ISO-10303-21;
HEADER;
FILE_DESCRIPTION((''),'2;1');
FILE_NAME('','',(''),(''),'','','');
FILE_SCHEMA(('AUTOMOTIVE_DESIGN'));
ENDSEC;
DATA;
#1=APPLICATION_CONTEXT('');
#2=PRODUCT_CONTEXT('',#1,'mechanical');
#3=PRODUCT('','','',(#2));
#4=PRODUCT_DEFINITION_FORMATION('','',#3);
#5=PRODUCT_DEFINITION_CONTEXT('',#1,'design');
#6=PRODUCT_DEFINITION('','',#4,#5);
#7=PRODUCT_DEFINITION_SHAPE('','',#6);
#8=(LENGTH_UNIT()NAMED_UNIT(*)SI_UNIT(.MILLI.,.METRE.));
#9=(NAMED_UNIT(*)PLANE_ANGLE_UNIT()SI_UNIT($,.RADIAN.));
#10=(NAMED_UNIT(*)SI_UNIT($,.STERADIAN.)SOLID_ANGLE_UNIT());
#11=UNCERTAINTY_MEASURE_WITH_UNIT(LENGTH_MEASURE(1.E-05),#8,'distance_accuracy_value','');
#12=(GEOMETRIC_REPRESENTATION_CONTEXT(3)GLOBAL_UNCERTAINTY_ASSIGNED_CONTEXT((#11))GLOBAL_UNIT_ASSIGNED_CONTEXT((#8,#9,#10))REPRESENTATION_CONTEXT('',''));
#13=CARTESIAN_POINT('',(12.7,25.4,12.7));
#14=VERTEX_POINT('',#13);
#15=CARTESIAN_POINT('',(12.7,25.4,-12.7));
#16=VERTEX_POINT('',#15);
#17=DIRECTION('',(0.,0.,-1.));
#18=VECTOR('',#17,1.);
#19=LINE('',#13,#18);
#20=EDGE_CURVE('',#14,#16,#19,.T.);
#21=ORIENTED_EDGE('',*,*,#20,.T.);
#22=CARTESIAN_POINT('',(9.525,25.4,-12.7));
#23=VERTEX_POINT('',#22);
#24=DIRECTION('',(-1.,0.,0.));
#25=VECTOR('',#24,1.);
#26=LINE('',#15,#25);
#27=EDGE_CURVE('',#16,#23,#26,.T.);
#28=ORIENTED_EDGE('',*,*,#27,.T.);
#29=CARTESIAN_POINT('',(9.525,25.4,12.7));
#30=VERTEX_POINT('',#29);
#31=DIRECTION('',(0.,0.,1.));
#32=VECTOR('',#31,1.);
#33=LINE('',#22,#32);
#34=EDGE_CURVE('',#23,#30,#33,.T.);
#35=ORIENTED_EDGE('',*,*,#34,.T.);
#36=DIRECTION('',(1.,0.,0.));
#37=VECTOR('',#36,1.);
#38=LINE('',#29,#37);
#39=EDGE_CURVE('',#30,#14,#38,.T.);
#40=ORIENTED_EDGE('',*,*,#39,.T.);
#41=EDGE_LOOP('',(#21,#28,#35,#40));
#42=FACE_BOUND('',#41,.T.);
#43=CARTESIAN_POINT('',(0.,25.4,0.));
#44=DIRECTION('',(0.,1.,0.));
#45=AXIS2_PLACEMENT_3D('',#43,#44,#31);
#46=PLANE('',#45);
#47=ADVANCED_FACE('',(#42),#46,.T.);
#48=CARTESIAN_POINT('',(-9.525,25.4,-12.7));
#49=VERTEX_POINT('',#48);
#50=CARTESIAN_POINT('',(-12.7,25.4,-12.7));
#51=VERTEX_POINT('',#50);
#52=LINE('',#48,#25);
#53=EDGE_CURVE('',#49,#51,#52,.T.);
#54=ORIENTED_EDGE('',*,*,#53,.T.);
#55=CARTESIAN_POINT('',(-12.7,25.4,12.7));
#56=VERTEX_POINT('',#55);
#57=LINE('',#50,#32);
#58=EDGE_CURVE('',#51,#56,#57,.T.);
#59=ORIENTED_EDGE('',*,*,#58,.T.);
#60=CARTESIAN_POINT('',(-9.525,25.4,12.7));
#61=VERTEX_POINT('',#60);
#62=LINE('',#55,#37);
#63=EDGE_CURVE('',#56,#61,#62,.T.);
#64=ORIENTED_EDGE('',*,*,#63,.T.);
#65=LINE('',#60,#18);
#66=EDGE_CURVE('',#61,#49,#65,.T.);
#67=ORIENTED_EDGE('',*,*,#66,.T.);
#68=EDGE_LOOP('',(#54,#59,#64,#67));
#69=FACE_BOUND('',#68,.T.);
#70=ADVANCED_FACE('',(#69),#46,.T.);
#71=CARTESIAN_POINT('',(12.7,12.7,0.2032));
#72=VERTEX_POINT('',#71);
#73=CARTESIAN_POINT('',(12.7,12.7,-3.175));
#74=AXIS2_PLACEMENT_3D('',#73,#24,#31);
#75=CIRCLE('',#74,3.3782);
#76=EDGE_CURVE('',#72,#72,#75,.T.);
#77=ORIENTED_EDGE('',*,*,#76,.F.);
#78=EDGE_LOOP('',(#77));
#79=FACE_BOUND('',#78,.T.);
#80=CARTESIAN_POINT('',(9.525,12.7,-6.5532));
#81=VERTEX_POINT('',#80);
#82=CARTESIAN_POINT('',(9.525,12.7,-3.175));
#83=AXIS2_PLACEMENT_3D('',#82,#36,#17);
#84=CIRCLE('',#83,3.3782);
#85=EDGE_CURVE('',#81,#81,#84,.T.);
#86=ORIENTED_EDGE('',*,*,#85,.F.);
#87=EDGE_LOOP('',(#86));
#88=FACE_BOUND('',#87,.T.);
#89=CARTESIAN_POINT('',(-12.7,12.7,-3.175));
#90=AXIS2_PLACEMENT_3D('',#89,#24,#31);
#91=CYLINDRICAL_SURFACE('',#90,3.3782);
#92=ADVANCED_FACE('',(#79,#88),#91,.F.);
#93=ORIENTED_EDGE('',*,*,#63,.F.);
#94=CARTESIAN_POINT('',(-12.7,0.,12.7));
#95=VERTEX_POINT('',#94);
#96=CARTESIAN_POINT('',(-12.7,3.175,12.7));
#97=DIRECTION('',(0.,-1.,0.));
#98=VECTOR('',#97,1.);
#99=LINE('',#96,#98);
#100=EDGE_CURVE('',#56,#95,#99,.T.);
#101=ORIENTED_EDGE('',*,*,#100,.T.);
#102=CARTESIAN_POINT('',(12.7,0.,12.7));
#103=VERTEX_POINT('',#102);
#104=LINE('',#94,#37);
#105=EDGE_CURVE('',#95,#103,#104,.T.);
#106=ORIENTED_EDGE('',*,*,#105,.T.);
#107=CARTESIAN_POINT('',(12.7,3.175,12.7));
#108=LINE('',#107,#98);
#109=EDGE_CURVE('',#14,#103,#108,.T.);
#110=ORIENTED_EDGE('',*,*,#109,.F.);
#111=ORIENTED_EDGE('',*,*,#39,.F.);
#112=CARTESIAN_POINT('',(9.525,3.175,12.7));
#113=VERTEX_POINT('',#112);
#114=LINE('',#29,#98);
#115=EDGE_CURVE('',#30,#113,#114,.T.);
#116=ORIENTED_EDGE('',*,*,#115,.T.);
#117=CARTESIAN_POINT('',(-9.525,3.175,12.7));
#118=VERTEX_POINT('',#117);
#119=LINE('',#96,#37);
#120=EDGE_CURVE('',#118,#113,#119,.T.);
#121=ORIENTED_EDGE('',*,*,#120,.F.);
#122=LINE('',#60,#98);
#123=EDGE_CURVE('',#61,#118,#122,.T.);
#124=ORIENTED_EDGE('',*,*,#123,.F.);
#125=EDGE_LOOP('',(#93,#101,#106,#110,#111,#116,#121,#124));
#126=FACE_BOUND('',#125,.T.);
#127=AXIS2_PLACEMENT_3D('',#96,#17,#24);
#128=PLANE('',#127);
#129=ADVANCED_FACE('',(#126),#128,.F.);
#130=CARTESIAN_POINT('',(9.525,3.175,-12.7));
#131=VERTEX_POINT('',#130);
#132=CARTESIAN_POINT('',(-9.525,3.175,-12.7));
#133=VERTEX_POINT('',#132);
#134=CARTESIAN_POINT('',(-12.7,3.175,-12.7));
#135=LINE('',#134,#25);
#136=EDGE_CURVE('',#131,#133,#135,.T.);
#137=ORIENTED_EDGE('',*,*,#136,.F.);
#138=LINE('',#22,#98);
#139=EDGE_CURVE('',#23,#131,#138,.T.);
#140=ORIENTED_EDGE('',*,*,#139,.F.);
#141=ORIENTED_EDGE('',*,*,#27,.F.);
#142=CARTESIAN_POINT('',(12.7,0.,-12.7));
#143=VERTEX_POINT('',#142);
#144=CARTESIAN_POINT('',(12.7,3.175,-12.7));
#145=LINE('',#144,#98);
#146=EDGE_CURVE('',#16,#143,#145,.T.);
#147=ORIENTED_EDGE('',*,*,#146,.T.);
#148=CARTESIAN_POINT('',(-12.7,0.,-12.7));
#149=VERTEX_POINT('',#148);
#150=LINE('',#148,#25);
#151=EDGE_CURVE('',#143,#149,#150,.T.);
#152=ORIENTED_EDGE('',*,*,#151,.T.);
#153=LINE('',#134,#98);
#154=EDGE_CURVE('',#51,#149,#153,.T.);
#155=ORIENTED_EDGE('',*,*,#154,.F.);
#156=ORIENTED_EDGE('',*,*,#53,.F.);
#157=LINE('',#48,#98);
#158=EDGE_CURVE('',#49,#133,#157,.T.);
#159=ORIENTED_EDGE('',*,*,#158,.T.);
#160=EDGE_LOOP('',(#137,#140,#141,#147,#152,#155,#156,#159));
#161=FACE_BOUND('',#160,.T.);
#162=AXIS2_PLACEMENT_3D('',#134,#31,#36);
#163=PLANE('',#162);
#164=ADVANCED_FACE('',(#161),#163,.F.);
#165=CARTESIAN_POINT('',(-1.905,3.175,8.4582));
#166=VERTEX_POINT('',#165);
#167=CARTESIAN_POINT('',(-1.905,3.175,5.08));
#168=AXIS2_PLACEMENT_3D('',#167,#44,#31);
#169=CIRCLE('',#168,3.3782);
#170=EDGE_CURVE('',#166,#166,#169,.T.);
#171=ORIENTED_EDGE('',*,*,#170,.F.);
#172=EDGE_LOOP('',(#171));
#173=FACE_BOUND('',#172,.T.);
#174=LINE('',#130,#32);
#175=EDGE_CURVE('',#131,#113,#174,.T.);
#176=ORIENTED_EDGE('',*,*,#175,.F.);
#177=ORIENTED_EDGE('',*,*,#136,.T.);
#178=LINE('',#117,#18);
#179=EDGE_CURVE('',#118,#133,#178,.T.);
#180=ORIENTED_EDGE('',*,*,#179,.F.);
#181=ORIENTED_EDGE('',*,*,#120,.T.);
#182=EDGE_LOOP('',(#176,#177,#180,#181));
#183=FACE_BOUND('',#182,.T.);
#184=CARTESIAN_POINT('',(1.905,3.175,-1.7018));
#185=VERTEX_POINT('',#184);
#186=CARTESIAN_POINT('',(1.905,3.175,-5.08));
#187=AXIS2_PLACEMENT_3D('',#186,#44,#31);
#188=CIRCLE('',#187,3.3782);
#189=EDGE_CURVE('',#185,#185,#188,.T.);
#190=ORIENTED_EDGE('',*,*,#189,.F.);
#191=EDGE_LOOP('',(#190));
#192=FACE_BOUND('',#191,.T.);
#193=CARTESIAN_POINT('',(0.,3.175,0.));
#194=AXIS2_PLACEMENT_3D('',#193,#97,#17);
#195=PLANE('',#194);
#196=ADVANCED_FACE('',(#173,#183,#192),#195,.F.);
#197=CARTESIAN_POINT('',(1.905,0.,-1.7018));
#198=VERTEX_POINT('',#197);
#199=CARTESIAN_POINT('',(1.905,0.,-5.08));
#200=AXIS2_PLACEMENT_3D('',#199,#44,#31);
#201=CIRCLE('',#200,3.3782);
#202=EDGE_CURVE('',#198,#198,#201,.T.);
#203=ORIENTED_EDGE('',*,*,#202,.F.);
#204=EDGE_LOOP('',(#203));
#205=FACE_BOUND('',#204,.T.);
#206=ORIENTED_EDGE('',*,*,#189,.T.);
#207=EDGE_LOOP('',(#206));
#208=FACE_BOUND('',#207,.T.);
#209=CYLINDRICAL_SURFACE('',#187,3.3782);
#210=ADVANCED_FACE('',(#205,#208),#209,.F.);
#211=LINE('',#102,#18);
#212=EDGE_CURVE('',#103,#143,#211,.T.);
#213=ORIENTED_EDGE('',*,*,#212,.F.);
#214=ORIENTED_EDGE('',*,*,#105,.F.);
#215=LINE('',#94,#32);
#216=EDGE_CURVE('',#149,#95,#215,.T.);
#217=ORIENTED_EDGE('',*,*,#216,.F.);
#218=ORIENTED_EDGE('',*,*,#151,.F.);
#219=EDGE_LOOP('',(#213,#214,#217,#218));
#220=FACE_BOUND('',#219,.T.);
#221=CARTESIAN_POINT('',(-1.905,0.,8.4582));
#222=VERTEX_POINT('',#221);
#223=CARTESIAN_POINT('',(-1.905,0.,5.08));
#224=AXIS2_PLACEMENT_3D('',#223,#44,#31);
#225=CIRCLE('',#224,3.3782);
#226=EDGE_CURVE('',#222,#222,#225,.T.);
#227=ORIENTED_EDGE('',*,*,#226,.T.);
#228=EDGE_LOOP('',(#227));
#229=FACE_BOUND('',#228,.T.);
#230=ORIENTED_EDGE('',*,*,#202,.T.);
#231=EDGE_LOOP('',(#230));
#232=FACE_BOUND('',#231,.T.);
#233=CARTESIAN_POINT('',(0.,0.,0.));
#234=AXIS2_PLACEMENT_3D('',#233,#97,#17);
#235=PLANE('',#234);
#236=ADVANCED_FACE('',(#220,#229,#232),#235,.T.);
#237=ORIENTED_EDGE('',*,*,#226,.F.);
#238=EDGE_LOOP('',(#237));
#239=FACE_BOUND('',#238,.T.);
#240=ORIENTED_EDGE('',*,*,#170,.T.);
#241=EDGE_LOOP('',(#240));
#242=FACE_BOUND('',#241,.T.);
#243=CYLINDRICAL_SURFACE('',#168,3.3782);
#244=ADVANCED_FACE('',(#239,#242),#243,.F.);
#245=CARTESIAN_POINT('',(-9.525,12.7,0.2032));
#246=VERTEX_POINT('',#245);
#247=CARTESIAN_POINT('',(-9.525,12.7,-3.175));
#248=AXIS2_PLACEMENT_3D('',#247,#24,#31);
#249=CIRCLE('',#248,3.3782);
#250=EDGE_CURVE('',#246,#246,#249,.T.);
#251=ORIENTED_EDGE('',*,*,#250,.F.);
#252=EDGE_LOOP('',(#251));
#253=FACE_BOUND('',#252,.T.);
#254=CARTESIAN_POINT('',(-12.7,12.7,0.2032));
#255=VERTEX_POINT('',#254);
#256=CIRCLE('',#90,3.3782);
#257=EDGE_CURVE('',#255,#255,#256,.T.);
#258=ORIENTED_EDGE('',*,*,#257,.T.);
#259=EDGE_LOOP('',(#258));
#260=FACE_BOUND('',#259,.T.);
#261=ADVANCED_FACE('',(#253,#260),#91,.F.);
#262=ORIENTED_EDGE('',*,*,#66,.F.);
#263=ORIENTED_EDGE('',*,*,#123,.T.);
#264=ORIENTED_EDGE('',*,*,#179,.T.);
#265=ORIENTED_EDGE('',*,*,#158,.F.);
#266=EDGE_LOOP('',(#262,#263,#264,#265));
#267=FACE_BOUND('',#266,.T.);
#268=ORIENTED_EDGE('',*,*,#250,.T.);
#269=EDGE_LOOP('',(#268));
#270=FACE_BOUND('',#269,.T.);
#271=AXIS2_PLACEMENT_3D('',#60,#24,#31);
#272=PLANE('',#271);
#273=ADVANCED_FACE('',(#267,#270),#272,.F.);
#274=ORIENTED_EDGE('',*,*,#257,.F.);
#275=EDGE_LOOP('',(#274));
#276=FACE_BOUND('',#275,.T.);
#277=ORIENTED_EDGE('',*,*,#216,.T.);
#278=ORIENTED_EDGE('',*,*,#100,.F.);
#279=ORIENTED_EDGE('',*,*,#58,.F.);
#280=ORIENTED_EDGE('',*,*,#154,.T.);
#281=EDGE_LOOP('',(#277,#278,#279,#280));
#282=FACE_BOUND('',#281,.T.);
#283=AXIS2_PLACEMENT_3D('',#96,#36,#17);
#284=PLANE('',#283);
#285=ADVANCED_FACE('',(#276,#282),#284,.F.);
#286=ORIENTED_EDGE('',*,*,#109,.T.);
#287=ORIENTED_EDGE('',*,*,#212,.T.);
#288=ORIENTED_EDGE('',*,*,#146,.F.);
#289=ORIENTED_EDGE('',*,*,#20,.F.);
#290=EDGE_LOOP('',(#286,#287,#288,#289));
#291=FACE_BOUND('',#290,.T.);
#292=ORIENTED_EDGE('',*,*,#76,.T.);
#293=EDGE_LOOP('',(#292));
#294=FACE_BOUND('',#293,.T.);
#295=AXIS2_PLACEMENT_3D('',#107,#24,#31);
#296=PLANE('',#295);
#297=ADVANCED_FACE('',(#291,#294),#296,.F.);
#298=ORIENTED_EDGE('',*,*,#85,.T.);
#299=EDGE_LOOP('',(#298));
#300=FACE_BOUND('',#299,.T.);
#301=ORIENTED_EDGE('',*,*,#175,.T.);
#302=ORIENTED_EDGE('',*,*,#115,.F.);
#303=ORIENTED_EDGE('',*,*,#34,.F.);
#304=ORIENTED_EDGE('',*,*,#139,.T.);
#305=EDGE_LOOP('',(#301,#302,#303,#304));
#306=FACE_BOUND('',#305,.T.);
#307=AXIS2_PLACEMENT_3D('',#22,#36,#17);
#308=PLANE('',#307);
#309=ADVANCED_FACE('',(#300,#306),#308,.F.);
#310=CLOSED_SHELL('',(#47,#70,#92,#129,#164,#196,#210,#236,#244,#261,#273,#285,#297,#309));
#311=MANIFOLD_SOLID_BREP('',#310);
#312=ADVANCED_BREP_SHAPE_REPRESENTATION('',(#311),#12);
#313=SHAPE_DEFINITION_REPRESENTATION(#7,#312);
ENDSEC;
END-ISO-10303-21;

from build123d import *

# Parameters (mm, degrees)
SKETCH1_W               = 25.4
SKETCH1_H               = 25.4
BOSS_EXTRUDE1_DEPTH     = 3.175
SKETCH2_W               = 3.175
SKETCH2_H               = 25.4
BOSS_EXTRUDE2_DEPTH     = 22.225
F_1_4_CLEARANCE_HOLE2_D = 6.7564
F_1_4_CLEARANCE_HOLE1_D = 6.7564


with BuildPart() as part:
    # Sketch1 → Boss-Extrude1 (new body)
    with BuildSketch(Plane(origin=(0, 0, 0), x_dir=(1, 0, 0), z_dir=(0, 1, 0))):
        Rectangle(SKETCH1_W, SKETCH1_H)
    extrude(amount=BOSS_EXTRUDE1_DEPTH)

    # Sketch2 → Boss-Extrude2 (add)
    with BuildSketch(Plane(origin=(0, 3.175, 0), x_dir=(1, 0, 0), z_dir=(0, 1, 0))):
        with Locations((-11.1125, 0)):
            Rectangle(SKETCH2_W, SKETCH2_H)
        with Locations((11.1125, 0)):
            Rectangle(SKETCH2_W, SKETCH2_H)
    extrude(amount=BOSS_EXTRUDE2_DEPTH)

    # 1/4 Clearance Hole2 (through all)
    with Locations(Plane(origin=(0, 3.175, 0), x_dir=(1, 0, 0), z_dir=(0, 1, 0))):
        with Locations((1.905, 5.08), (-1.905, -5.08)):
            Hole(F_1_4_CLEARANCE_HOLE2_D / 2)

    # 1/4 Clearance Hole1 (through all)
    with Locations(Plane.ZY.offset(12.7)):
        with Locations((-3.175, 12.7)):
            Hole(F_1_4_CLEARANCE_HOLE1_D / 2)


solid = part.part
